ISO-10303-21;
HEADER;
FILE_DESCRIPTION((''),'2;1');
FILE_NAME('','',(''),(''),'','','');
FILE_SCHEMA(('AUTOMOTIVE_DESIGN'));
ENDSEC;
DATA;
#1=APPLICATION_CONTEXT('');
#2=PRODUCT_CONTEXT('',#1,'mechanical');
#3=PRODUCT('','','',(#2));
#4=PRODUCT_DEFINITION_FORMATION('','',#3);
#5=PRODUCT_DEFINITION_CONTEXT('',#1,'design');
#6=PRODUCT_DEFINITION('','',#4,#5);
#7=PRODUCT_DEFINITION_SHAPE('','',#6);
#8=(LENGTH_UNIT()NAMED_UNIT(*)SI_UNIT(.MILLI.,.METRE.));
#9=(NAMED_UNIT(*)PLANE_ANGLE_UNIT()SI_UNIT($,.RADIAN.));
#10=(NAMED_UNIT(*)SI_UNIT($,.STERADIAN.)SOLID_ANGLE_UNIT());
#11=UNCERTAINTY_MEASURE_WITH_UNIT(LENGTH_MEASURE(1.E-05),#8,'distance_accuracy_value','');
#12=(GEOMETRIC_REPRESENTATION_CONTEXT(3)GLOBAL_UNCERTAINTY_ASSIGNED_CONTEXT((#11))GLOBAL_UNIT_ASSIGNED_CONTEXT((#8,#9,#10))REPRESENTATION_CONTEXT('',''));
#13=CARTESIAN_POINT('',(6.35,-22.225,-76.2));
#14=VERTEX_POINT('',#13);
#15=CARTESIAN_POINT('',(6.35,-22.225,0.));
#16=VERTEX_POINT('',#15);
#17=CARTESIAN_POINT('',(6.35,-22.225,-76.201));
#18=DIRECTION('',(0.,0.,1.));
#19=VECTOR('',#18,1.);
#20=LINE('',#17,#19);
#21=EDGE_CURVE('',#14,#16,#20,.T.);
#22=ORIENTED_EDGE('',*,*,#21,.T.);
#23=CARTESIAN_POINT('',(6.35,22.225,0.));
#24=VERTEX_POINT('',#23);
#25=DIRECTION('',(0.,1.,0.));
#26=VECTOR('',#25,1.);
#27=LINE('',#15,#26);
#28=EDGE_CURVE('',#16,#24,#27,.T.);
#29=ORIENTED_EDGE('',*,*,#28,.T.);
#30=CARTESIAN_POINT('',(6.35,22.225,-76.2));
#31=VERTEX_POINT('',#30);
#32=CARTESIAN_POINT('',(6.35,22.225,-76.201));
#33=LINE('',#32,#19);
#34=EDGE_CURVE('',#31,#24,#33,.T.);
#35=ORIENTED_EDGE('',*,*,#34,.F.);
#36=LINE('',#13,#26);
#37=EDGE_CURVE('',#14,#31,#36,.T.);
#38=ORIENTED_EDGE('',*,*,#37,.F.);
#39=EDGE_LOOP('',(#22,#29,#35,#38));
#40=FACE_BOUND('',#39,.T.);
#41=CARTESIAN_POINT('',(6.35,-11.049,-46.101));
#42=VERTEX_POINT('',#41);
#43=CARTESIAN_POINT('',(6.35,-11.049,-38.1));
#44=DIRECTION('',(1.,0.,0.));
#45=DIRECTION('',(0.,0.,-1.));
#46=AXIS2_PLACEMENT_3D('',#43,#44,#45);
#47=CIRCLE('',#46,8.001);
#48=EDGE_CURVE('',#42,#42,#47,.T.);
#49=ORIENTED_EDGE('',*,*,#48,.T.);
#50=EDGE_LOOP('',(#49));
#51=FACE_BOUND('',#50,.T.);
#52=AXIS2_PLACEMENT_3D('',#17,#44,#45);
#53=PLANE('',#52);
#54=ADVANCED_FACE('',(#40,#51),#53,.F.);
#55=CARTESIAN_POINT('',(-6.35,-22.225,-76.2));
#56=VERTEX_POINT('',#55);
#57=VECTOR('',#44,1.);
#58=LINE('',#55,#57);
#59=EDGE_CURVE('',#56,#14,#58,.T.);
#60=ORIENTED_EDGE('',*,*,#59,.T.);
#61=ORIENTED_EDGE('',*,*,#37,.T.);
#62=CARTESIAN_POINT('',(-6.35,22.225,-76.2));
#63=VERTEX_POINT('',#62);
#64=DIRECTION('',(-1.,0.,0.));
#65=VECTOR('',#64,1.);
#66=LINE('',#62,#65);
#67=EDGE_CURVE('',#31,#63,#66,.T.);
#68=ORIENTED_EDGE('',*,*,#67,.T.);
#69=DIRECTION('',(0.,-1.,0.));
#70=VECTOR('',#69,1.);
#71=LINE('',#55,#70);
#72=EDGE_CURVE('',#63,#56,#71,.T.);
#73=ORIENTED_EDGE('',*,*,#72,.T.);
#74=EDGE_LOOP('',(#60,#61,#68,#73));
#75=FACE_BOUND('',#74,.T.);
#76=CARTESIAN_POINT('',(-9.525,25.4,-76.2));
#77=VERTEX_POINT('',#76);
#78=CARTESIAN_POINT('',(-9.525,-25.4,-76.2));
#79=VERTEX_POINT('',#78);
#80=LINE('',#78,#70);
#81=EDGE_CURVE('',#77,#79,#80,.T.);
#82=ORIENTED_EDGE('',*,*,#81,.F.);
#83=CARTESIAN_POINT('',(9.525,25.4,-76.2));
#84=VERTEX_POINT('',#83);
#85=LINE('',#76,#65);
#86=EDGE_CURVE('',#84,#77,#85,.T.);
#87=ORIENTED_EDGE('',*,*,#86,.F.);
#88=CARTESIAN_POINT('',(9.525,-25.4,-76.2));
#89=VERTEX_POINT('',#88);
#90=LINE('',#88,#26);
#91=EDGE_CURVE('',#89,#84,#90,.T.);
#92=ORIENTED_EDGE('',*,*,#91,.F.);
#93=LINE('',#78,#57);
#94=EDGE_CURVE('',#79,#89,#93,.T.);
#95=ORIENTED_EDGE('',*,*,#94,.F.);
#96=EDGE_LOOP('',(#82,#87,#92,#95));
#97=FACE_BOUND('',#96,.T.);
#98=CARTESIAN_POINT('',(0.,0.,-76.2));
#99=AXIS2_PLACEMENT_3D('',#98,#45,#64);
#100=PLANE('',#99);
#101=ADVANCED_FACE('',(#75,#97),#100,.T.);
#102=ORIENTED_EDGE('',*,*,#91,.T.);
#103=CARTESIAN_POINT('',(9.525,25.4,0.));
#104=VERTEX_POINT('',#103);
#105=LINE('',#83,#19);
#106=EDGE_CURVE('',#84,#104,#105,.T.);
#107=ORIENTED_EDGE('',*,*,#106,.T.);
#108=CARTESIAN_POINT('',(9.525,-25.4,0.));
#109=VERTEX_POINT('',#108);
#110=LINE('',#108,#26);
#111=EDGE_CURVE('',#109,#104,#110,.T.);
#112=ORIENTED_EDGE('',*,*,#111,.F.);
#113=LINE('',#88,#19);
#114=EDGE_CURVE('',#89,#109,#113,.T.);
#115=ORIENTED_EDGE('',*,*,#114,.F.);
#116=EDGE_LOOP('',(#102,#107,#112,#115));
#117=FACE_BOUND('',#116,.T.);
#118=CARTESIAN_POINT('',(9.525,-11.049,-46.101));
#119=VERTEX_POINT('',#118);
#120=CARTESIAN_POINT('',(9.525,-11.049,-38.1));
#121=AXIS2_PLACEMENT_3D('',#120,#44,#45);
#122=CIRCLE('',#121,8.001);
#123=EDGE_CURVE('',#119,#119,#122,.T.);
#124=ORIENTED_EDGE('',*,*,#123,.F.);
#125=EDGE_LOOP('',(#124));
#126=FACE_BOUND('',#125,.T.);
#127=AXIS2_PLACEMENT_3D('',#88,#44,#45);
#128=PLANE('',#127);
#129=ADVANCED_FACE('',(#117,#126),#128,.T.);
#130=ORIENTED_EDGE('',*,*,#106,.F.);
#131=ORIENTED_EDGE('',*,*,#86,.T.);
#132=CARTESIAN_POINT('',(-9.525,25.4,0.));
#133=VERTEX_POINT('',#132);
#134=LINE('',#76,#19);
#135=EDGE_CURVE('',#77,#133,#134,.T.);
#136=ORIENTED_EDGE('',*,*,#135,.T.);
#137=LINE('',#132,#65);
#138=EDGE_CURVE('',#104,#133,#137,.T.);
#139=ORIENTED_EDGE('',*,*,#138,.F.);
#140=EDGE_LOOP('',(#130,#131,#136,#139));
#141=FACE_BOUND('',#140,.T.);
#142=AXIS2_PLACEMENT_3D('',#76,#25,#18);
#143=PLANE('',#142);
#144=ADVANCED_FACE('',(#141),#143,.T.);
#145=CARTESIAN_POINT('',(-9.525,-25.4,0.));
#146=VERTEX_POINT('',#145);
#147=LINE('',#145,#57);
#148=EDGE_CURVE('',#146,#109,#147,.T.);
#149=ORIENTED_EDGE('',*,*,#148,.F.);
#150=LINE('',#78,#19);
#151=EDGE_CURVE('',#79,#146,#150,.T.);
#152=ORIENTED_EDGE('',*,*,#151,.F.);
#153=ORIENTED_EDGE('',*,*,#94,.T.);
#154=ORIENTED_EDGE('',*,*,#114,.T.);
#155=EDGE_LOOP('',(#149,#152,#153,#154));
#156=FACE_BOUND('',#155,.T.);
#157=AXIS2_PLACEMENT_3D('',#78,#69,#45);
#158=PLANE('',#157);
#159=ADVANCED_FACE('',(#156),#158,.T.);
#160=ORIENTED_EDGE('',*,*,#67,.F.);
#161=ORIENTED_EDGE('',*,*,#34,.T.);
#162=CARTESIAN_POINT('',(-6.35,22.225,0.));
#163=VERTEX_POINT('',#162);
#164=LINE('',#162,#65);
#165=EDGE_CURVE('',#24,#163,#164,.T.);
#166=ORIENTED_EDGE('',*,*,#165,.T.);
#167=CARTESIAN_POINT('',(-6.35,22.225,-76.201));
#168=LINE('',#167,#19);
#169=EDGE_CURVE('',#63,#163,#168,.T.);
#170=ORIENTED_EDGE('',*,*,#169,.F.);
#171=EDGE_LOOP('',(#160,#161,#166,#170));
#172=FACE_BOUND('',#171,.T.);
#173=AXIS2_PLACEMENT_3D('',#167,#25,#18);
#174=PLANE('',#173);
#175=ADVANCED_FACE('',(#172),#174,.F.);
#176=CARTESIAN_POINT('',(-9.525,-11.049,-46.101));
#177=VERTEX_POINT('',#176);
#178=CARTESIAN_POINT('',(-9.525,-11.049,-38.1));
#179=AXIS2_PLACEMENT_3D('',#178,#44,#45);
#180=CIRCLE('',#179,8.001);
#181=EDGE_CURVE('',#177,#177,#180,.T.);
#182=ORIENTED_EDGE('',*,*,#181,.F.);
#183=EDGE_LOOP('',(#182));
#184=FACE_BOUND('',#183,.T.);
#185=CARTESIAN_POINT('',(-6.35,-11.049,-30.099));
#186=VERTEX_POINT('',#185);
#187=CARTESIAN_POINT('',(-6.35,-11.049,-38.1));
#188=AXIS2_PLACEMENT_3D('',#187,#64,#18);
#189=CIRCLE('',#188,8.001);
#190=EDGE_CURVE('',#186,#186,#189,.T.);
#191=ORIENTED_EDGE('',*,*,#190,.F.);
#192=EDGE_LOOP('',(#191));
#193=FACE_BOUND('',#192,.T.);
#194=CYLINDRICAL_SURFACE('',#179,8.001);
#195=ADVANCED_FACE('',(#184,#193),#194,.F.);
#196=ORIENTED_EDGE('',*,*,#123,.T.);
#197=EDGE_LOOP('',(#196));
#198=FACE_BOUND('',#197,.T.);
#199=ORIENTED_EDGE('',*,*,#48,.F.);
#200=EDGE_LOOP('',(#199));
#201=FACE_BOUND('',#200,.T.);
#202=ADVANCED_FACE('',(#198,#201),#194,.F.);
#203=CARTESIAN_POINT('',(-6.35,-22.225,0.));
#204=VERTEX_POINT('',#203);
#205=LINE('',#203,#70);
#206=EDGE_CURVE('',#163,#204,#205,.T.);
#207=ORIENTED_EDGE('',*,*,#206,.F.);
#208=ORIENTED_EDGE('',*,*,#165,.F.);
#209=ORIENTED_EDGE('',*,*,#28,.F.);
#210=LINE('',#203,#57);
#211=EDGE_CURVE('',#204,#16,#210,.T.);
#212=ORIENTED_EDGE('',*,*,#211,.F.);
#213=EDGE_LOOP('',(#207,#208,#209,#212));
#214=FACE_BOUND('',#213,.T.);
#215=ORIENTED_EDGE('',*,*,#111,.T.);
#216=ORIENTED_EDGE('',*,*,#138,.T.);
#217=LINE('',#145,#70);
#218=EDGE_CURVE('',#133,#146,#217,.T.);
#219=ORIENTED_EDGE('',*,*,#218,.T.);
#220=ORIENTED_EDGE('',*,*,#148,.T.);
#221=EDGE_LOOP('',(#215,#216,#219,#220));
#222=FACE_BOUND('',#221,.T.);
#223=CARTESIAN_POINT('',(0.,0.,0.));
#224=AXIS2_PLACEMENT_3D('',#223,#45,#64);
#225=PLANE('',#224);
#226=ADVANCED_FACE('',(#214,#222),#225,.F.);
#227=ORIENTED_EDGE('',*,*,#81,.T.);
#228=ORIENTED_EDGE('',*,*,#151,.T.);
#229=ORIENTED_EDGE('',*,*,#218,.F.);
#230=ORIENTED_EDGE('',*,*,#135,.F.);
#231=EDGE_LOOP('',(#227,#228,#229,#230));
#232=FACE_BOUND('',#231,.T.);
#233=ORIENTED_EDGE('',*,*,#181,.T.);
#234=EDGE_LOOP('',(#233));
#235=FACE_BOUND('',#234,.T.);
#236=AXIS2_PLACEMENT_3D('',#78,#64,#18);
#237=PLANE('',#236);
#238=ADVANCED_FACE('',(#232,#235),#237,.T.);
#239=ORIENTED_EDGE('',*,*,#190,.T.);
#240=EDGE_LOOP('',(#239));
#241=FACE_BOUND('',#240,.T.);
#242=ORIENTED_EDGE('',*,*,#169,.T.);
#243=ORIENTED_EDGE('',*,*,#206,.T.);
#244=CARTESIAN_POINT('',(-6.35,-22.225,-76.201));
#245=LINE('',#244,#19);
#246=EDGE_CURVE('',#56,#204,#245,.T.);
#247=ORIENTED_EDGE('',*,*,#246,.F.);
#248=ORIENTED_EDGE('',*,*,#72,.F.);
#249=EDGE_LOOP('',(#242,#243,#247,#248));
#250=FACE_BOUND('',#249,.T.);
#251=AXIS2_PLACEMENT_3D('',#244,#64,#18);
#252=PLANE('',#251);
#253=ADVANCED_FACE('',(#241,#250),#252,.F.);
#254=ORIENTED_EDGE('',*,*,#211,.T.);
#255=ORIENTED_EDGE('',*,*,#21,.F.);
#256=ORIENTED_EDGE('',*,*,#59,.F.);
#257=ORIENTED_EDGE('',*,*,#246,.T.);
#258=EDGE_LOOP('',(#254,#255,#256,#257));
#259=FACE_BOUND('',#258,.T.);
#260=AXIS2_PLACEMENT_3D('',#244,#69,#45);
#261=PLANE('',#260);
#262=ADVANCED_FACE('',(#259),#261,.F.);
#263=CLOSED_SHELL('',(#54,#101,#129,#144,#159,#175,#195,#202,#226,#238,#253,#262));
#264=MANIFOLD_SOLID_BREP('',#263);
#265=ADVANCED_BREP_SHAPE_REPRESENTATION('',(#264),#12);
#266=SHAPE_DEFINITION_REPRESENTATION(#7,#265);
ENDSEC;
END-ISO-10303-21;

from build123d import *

# Parameters (mm, degrees)
SKETCH1_W           = 19.05
SKETCH1_H           = 50.8
BOSS_EXTRUDE1_DEPTH = 76.2
CUT_EXTRUDE1_REACH  = 78.2
SKETCH2_W           = 12.7
SKETCH2_H           = 44.45
SKETCH4_R           = 8.001
CUT_EXTRUDE2_DEPTH  = 20.05


with BuildPart() as part:
    # Sketch1 → Boss-Extrude1 (new body)
    with BuildSketch(Plane.XY):
        Rectangle(SKETCH1_W, SKETCH1_H)
    extrude(amount=-BOSS_EXTRUDE1_DEPTH)

    # Sketch2 → Cut-Extrude1 (cut, up to next)
    with BuildSketch(Plane.XY, mode=Mode.PRIVATE) as cut_extrude1_sk1:
        Rectangle(SKETCH2_W, SKETCH2_H)
    cut_extrude1_tool1 = extrude(cut_extrude1_sk1.sketch, amount=-CUT_EXTRUDE1_REACH, mode=Mode.PRIVATE) & part.part
    add(cut_extrude1_tool1.solids().sort_by_distance((0, 0, 0))[0], mode=Mode.SUBTRACT)

    # Sketch4 → Cut-Extrude2 (cut, through all)
    with BuildSketch(Plane(origin=(9.525, 0, 0), x_dir=(0, 0, -1), z_dir=(1, 0, 0))):
        with Locations((38.1, -11.049)):
            Circle(SKETCH4_R)
    extrude(amount=-CUT_EXTRUDE2_DEPTH, mode=Mode.SUBTRACT)


solid = part.part
